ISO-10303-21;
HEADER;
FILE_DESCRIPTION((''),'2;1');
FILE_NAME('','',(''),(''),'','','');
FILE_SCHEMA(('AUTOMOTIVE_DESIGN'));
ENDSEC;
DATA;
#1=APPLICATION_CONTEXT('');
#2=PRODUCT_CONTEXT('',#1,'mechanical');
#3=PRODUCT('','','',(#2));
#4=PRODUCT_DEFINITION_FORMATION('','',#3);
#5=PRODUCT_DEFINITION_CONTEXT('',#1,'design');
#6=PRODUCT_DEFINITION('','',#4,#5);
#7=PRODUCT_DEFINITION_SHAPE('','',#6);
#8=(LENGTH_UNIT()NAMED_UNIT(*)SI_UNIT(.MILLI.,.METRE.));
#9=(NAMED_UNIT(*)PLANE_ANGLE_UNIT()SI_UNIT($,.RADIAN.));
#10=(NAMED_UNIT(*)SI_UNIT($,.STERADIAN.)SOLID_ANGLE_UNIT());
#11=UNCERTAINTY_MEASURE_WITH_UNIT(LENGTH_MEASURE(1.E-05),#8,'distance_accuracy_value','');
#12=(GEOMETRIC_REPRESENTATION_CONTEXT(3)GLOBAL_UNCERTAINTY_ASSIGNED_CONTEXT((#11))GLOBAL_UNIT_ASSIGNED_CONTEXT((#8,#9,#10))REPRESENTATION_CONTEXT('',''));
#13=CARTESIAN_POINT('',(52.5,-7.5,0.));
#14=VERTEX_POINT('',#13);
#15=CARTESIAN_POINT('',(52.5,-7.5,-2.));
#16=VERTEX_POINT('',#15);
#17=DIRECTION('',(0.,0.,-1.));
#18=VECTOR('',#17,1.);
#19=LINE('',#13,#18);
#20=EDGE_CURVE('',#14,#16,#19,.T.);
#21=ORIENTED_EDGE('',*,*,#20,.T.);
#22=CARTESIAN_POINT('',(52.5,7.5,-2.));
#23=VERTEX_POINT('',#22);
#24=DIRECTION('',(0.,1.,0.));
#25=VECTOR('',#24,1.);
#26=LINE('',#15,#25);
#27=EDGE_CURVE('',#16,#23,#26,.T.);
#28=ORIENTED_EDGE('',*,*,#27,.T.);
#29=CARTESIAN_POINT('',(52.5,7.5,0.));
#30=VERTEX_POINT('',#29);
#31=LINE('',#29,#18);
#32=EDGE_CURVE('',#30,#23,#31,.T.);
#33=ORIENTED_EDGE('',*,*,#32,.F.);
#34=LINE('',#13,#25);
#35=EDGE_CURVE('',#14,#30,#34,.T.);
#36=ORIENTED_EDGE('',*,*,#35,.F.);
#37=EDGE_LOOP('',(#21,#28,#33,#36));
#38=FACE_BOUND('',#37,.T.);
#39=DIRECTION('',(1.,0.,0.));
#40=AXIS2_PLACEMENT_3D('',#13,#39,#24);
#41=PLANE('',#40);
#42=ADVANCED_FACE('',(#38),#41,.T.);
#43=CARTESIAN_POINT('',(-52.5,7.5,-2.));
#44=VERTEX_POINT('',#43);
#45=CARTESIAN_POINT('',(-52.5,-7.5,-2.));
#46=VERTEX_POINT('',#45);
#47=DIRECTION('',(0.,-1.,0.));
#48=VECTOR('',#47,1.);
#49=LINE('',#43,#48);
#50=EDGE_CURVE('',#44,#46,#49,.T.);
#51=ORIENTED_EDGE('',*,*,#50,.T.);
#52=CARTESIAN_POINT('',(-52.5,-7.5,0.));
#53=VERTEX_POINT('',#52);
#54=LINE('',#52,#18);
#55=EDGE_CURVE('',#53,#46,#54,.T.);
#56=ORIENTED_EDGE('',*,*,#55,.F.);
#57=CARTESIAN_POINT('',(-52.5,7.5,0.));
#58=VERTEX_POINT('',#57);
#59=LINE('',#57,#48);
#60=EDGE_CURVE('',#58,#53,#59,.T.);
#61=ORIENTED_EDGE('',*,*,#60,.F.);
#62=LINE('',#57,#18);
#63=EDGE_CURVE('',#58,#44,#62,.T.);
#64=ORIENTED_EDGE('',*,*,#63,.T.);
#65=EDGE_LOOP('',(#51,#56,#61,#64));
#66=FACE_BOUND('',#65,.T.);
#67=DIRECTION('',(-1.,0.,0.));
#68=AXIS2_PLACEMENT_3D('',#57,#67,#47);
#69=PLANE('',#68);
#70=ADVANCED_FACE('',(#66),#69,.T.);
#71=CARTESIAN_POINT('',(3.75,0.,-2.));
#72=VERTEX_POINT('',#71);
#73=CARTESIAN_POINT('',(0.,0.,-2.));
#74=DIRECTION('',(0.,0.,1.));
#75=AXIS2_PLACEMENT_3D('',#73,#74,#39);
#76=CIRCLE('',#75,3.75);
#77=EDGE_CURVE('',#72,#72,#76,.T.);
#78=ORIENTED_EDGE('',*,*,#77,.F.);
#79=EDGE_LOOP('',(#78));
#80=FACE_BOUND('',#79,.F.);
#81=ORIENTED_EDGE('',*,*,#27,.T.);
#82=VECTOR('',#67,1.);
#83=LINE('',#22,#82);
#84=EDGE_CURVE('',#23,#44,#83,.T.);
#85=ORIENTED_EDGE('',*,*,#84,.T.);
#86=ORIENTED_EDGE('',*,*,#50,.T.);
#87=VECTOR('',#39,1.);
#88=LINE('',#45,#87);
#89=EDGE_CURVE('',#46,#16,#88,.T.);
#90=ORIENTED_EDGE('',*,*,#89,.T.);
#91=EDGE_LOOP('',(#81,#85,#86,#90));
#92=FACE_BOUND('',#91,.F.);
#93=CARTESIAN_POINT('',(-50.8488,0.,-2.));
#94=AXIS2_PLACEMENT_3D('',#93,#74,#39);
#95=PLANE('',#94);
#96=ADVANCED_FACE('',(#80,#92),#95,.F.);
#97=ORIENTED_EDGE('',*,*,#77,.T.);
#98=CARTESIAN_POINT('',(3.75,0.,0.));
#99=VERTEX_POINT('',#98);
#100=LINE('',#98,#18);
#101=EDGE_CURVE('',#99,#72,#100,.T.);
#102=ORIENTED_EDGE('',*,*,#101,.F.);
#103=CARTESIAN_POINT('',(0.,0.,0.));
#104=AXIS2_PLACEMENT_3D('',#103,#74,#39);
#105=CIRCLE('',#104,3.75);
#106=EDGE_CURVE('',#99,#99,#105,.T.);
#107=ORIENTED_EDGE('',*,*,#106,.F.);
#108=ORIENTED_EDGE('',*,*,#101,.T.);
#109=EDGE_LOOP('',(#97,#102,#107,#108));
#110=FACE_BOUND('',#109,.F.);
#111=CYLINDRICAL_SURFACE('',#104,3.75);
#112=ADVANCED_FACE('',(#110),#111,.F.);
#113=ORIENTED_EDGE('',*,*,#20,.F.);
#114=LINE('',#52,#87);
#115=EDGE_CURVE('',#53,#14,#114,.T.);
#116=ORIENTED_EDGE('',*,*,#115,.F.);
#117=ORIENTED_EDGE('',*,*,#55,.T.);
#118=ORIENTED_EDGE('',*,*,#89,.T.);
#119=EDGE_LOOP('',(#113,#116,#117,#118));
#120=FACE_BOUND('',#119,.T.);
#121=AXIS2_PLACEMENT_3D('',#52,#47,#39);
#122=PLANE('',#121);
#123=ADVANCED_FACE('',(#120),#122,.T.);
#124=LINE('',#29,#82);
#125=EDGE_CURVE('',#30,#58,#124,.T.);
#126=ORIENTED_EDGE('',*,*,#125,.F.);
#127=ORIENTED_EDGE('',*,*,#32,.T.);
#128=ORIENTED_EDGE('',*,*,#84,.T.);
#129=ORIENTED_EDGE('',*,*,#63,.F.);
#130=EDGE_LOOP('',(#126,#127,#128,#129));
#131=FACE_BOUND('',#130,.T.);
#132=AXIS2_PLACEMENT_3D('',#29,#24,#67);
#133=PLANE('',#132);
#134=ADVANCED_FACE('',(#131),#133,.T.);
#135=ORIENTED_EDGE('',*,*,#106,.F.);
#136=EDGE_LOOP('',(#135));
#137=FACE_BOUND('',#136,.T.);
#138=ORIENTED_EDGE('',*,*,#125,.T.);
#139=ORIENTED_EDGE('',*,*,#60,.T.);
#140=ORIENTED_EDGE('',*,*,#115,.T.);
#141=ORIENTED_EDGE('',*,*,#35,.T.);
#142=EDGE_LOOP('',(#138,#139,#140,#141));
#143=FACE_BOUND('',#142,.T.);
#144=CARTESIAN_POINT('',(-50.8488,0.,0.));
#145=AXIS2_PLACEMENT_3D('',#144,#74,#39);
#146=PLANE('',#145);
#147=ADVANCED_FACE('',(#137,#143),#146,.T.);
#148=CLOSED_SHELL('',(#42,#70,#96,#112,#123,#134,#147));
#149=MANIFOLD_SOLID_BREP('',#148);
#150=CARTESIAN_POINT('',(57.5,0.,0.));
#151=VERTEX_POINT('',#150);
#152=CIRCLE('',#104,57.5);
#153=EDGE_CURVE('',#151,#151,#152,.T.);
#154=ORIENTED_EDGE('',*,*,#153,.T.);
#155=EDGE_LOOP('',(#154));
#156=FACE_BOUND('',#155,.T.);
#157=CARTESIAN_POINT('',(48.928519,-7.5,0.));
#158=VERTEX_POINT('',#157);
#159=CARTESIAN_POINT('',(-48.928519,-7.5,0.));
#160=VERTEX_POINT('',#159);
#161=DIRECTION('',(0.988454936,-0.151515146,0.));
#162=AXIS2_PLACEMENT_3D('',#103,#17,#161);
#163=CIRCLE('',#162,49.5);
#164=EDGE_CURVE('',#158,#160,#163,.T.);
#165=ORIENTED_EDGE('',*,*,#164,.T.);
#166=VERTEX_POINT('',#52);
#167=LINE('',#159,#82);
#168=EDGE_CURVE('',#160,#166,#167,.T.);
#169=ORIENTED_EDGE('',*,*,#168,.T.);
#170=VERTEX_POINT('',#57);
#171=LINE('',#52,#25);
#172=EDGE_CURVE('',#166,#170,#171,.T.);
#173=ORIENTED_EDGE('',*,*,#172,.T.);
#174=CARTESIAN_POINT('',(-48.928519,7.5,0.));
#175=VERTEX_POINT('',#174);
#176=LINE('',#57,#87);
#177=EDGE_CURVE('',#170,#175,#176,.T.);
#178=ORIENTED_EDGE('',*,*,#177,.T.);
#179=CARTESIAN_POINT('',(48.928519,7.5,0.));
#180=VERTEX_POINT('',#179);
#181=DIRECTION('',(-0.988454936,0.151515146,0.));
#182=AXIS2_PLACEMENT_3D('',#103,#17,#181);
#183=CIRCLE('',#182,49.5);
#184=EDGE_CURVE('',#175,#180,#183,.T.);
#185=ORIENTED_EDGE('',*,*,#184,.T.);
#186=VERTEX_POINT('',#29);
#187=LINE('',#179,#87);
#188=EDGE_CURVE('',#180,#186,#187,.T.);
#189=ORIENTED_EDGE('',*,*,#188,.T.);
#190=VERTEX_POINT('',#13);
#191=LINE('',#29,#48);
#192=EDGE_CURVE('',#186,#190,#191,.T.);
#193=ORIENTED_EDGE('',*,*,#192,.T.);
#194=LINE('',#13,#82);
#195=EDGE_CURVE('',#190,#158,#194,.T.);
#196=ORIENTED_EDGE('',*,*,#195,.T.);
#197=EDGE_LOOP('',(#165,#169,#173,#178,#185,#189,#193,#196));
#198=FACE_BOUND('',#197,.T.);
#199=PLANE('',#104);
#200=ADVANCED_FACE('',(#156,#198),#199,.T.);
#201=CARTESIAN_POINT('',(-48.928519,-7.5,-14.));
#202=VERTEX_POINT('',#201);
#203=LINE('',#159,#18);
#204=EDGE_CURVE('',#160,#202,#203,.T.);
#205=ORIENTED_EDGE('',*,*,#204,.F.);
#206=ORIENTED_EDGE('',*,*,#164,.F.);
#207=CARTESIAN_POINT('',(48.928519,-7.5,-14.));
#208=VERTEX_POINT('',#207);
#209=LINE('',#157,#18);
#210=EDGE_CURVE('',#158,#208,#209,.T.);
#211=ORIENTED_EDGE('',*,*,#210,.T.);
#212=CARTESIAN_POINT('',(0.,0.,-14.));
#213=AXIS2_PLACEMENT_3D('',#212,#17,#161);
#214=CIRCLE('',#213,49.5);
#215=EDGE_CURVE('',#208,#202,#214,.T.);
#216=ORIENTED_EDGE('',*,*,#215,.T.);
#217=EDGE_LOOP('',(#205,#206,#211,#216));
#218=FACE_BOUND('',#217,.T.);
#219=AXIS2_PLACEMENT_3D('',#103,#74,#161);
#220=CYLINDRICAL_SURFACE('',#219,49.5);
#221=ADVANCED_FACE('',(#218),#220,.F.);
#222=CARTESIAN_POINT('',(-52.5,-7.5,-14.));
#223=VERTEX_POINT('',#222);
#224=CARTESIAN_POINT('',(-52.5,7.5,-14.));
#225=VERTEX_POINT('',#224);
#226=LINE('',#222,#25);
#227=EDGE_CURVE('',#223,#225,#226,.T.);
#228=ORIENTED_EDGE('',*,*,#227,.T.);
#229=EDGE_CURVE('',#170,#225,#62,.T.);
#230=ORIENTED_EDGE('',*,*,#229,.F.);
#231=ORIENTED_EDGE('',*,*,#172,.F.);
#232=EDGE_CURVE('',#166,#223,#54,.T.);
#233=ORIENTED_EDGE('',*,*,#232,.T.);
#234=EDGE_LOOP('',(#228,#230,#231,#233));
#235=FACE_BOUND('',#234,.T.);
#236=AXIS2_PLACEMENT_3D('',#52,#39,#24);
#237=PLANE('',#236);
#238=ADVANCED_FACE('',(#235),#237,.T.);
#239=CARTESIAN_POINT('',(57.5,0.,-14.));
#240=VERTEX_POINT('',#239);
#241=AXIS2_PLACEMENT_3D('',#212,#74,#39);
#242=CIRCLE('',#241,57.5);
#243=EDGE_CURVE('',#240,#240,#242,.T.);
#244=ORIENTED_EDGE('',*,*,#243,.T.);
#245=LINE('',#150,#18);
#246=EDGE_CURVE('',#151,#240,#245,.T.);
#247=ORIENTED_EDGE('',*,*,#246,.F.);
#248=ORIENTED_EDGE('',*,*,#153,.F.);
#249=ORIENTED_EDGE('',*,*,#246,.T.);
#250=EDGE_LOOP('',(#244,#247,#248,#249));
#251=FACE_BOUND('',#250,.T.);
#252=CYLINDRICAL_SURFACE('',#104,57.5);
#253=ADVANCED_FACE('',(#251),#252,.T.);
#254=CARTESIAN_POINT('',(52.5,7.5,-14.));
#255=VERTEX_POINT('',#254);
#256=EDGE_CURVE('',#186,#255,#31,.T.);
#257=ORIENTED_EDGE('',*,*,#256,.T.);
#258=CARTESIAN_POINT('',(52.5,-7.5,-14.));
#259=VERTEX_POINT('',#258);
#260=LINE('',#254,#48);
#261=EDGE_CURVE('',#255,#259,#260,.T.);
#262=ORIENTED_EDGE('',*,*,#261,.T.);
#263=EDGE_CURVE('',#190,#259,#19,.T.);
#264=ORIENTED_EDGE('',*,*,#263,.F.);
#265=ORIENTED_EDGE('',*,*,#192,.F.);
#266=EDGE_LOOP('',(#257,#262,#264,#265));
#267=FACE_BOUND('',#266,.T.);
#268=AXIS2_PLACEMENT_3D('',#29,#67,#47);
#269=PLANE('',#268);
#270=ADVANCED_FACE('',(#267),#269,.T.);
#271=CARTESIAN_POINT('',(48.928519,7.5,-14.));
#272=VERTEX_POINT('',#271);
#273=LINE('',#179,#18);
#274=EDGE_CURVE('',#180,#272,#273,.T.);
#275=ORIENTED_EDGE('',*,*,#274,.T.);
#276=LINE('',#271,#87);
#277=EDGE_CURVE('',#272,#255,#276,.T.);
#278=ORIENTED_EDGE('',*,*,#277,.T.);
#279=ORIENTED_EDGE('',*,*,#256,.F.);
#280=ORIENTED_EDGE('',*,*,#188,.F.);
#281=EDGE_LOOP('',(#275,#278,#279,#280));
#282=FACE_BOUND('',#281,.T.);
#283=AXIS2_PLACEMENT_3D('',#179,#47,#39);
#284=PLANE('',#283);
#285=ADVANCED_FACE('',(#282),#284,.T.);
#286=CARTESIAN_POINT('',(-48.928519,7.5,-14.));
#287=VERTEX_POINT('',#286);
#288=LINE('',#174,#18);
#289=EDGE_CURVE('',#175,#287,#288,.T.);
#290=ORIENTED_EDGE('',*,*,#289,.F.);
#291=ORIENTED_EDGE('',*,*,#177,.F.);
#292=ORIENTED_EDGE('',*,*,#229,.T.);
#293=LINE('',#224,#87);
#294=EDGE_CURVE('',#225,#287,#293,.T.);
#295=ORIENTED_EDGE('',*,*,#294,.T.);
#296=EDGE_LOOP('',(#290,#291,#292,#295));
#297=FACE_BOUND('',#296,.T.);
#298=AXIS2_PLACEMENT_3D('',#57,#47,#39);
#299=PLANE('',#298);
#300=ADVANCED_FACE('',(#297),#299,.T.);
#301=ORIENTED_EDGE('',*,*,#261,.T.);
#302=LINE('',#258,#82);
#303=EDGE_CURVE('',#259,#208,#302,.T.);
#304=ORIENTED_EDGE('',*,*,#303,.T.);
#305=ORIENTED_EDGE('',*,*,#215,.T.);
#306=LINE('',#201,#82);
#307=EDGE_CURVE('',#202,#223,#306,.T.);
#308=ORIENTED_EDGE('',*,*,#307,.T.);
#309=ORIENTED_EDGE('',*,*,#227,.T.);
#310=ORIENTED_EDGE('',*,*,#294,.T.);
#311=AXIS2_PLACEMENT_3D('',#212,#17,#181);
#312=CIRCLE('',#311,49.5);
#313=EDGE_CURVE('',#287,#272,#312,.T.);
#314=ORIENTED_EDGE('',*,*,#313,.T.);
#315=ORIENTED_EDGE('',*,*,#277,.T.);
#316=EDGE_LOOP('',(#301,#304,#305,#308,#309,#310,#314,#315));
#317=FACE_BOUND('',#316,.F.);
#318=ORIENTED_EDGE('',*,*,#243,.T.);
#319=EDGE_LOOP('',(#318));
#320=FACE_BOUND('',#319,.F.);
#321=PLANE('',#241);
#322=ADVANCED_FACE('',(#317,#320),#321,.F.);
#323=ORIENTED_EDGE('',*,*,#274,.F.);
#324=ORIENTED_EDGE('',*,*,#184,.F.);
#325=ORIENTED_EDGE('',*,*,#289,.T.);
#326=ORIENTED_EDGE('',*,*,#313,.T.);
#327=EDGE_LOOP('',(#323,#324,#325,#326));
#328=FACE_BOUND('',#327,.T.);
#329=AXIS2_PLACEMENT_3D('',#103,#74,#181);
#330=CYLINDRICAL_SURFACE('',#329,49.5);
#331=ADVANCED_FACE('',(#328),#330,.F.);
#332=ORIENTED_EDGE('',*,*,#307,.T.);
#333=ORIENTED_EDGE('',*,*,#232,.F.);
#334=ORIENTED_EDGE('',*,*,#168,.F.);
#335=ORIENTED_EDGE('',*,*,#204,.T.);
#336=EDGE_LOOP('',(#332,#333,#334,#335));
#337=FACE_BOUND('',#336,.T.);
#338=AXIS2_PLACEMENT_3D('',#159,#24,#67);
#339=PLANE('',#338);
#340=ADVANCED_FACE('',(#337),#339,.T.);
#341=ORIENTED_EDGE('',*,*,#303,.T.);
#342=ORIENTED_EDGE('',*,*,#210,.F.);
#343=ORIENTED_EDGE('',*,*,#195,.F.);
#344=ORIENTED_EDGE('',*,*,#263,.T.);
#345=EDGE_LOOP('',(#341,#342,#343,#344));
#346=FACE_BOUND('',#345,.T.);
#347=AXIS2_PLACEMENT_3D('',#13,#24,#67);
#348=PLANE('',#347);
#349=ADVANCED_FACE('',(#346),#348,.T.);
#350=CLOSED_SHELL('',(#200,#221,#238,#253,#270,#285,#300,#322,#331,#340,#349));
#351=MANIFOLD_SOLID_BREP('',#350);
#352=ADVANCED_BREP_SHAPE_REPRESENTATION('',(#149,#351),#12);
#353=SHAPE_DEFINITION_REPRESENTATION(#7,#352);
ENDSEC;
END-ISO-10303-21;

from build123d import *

# Parameters (mm, degrees)
F0_R     = 57.5
F1_DEPTH = 14
F0_R_2   = 3.75
F2_DEPTH = 2


with BuildPart() as f1:
    # F0 (on Top) → F1 (new body)
    with BuildSketch(Plane.XY):
        Circle(F0_R)
        with BuildLine():
            ThreePointArc((-48.928519, 7.5), (0, 49.5), (48.928519, 7.5))
            Line((48.928519, 7.5), (52.5, 7.5))
            Line((52.5, 7.5), (52.5, -7.5))
            Line((52.5, -7.5), (48.928519, -7.5))
            ThreePointArc((48.928519, -7.5), (0, -49.5), (-48.928519, -7.5))
            Line((-48.928519, -7.5), (-52.5, -7.5))
            Line((-52.5, -7.5), (-52.5, 7.5))
            Line((-52.5, 7.5), (-48.928519, 7.5))
        make_face(mode=Mode.SUBTRACT)
    extrude(amount=-F1_DEPTH)


with BuildPart() as f2:
    # F0 (on Top) → F2 (new body)
    with BuildSketch(Plane.XY):
        with BuildLine():
            ThreePointArc((-48.928519, -7.5), (-49.5, 0), (-48.928519, 7.5))
            Line((-48.928519, 7.5), (-52.5, 7.5))
            Line((-52.5, 7.5), (-52.5, -7.5))
            Line((-52.5, -7.5), (-48.928519, -7.5))
        make_face()
        with BuildLine():
            ThreePointArc((48.928519, -7.5), (49.356923, -3.760871), (49.5, 0))
            ThreePointArc((49.5, 0), (49.356923, 3.760871), (48.928519, 7.5))
            Line((48.928519, 7.5), (-48.928519, 7.5))
            ThreePointArc((-48.928519, 7.5), (-49.5, 0), (-48.928519, -7.5))
            Line((-48.928519, -7.5), (48.928519, -7.5))
        make_face()
        Circle(F0_R_2, mode=Mode.SUBTRACT)
        with BuildLine():
            ThreePointArc((48.928519, 7.5), (49.356923, 3.760871), (49.5, 0))
            ThreePointArc((49.5, 0), (49.356923, -3.760871), (48.928519, -7.5))
            Line((48.928519, -7.5), (52.5, -7.5))
            Line((52.5, -7.5), (52.5, 7.5))
            Line((52.5, 7.5), (48.928519, 7.5))
        make_face()
    extrude(amount=-F2_DEPTH)


solid = Compound([f1.part, f2.part])
